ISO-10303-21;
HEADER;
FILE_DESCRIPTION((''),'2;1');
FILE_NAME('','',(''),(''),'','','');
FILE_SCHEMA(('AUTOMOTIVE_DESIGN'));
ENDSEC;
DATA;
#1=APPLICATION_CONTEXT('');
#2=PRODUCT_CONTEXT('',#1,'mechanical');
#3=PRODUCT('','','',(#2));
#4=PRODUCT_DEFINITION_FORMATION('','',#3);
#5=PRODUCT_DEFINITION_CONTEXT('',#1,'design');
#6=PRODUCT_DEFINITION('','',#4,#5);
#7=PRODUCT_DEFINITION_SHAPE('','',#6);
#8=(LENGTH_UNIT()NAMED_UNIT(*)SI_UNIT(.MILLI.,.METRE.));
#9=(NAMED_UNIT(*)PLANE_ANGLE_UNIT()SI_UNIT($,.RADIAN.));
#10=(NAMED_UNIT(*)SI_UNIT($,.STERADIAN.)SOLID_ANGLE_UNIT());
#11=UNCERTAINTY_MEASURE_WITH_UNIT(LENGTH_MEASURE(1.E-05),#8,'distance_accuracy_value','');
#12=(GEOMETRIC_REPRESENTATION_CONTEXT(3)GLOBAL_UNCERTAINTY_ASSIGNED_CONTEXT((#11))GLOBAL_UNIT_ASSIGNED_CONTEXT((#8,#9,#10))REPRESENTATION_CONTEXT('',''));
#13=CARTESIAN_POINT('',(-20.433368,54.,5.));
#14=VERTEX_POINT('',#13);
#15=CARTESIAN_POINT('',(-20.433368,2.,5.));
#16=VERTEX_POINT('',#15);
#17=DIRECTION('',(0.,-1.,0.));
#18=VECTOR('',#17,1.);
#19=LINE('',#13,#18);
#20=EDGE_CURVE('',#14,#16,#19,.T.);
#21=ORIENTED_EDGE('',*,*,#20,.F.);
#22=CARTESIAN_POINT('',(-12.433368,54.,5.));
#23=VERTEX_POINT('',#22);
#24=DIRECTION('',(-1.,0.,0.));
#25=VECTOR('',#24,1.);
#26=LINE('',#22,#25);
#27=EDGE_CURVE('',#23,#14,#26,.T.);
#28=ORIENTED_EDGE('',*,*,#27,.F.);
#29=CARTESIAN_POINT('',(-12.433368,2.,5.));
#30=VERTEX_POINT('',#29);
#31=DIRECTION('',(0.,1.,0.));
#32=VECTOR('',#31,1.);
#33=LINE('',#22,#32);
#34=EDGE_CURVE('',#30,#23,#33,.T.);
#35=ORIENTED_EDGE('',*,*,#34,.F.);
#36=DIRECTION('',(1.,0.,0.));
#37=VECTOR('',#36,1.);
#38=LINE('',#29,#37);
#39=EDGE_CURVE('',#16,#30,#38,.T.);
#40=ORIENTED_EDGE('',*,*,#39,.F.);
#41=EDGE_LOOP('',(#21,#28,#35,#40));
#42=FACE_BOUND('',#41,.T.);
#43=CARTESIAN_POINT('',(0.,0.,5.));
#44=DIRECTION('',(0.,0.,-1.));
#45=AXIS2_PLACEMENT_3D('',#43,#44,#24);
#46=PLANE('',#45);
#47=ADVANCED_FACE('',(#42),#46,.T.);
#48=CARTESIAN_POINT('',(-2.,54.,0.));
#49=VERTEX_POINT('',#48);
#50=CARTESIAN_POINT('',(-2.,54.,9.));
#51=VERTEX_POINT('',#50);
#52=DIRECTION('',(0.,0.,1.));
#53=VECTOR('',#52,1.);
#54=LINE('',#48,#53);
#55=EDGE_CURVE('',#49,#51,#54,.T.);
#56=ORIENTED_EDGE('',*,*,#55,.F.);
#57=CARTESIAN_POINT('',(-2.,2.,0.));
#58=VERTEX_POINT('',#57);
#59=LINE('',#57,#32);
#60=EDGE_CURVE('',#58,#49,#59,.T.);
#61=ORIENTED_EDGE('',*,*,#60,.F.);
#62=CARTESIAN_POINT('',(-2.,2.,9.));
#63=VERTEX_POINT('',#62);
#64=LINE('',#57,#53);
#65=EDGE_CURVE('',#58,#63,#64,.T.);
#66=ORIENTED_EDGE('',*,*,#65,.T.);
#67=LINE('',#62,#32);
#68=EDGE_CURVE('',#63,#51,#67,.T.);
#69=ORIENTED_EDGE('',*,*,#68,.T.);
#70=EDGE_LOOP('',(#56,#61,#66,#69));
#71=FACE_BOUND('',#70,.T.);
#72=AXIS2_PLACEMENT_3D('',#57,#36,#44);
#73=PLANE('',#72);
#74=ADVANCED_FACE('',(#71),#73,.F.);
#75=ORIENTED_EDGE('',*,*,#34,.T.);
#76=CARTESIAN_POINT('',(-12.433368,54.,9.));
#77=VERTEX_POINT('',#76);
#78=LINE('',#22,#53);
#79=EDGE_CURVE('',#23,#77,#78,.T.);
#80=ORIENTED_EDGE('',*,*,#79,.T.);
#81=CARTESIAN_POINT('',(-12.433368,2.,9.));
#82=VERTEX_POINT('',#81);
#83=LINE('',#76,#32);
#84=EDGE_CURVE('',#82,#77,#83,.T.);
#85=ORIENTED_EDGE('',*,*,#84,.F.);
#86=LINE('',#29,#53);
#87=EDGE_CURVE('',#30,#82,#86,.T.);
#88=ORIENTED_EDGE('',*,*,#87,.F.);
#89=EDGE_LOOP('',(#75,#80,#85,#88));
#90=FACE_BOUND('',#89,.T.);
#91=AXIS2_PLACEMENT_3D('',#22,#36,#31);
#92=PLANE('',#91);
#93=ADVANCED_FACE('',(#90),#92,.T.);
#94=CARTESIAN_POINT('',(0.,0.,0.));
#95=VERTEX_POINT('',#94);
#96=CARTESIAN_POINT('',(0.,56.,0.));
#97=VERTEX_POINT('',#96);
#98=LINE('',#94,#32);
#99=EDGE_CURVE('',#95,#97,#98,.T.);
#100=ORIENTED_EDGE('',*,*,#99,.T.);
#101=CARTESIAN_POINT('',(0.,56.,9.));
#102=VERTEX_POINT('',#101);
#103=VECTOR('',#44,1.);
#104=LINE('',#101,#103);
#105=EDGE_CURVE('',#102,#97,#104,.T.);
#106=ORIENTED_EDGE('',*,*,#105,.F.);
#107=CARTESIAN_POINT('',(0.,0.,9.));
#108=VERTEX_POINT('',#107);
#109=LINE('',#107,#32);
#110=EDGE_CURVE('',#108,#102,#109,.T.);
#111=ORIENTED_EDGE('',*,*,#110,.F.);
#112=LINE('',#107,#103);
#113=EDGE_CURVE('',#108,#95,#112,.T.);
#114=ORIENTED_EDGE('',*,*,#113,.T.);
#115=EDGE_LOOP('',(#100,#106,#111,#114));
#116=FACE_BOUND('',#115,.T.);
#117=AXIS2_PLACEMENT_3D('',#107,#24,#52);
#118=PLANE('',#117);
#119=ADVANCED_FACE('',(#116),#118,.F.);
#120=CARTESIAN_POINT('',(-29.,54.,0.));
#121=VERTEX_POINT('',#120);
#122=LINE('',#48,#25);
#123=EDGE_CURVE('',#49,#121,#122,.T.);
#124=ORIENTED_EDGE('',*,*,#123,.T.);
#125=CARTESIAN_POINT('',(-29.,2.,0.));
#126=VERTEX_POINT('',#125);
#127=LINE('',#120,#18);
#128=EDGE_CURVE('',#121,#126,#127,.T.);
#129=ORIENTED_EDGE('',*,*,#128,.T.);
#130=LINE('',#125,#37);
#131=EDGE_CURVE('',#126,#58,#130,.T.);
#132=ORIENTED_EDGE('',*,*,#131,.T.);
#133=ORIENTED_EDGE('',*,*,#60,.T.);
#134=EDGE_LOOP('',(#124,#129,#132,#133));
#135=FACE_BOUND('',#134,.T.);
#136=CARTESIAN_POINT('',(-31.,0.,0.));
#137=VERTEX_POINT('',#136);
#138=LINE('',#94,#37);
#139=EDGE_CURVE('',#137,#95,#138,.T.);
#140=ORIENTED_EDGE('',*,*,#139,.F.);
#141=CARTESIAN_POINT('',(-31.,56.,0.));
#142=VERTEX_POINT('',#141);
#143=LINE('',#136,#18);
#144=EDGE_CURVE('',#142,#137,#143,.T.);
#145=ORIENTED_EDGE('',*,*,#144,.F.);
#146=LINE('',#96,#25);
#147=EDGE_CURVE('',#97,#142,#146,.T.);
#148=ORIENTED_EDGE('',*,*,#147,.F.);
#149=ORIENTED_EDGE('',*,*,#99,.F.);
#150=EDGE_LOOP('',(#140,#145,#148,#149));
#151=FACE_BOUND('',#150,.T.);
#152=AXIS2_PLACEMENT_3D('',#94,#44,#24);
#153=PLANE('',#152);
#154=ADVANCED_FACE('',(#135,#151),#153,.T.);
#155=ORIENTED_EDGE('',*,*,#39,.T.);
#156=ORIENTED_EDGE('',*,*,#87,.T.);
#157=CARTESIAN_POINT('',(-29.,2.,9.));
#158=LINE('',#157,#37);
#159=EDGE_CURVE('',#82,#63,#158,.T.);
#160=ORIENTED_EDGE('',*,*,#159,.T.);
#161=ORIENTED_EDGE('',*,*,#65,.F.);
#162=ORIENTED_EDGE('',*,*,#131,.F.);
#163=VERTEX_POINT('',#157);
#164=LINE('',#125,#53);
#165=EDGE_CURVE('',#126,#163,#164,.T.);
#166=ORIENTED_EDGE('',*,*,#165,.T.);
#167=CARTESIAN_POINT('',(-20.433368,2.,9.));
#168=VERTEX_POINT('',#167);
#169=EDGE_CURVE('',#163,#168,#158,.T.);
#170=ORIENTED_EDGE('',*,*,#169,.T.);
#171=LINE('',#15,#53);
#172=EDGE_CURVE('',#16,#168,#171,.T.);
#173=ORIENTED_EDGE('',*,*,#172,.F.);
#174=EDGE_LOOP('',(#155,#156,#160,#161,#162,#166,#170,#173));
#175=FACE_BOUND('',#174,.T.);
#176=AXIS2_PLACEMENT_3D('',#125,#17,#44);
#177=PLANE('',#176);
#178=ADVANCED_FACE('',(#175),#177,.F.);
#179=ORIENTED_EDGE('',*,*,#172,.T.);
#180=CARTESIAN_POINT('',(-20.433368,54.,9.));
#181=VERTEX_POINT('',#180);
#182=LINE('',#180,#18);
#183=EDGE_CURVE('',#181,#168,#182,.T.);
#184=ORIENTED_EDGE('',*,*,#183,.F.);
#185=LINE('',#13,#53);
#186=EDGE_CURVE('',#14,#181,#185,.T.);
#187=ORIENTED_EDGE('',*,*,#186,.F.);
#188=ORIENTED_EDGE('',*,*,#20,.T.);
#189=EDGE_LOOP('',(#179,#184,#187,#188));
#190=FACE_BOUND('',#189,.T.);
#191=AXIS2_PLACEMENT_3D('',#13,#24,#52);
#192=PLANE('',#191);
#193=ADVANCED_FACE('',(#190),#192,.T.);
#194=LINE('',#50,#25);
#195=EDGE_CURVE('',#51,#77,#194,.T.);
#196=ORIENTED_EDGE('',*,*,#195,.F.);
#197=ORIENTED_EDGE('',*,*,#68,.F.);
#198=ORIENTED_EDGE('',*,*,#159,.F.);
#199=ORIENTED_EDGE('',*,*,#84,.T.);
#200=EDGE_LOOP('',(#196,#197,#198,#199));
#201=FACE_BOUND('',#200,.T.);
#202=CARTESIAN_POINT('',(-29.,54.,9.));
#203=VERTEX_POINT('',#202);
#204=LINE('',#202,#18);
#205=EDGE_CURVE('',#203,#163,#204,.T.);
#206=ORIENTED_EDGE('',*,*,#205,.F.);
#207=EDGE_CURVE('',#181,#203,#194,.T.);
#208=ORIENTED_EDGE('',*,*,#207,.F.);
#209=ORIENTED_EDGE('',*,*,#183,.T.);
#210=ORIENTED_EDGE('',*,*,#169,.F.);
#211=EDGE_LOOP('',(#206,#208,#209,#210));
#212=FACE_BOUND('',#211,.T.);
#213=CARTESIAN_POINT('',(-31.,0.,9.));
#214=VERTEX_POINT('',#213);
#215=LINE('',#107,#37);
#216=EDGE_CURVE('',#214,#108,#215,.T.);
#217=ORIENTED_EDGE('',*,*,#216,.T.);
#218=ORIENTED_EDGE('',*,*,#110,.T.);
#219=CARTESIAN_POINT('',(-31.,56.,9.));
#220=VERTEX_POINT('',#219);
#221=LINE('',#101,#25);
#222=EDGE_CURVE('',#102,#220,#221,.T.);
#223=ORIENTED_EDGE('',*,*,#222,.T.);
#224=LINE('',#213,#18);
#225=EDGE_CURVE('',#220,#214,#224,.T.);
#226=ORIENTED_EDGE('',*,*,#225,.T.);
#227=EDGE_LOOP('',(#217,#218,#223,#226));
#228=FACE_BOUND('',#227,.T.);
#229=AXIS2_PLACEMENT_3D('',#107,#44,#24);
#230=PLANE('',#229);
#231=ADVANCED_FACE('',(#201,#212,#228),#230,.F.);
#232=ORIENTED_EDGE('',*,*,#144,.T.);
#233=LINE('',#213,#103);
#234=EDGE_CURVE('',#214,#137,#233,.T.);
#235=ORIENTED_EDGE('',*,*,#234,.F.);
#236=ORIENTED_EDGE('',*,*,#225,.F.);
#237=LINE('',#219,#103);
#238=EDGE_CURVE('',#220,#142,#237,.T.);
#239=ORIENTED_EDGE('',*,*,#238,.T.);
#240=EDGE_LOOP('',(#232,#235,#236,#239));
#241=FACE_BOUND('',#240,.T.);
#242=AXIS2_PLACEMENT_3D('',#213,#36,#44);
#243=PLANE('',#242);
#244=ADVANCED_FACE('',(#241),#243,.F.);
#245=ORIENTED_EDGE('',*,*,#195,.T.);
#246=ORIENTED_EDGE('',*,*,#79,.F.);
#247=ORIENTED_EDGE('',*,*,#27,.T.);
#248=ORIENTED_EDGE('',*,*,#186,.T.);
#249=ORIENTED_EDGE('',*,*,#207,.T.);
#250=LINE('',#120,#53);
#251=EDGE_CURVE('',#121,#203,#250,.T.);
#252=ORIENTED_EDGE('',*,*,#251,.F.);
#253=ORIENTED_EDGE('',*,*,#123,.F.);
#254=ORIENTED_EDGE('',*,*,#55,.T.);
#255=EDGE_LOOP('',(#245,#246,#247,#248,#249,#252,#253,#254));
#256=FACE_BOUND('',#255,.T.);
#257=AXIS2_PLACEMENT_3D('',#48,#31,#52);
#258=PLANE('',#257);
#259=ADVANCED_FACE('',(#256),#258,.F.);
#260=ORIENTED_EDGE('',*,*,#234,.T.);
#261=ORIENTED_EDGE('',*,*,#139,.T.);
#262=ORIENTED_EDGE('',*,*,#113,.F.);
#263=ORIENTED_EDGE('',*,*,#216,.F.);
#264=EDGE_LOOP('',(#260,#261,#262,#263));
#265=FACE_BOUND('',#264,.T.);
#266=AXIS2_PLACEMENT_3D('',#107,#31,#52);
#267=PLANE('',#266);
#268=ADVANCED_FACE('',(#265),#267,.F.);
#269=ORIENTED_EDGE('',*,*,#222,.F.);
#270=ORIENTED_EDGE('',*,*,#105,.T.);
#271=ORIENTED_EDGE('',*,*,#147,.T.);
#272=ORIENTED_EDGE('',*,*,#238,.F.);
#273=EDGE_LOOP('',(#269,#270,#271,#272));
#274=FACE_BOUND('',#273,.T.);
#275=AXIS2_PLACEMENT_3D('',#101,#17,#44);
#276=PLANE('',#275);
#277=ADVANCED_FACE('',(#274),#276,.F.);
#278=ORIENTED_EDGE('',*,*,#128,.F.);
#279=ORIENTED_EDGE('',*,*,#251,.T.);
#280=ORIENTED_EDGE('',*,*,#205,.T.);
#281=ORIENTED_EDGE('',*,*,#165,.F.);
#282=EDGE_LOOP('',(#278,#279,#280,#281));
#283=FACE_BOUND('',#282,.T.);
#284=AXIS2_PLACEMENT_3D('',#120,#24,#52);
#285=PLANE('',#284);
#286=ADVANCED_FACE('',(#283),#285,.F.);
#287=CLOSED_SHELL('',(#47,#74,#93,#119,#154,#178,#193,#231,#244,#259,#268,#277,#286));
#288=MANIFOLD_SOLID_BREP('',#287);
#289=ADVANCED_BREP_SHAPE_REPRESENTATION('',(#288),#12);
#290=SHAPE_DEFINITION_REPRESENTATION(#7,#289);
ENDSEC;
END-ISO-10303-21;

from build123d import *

# Parameters (mm, degrees)
SKETCH1_W           = 56
SKETCH1_H           = 31
BOSS_EXTRUDE1_DEPTH = 9
SKETCH2_W           = 27
SKETCH2_H           = 52
CUT_EXTRUDE1_DEPTH  = 65.637450445
SKETCH3_W           = 8
SKETCH3_H           = 52
BOSS_EXTRUDE2_DEPTH = 4


with BuildPart() as part:
    # Sketch1 → Boss-Extrude1 (new body)
    with BuildSketch(Plane(origin=(0, 0, 0), x_dir=(0, 1, 0), z_dir=(0, 0, 1))):
        with Locations((28, 15.5)):
            Rectangle(SKETCH1_W, SKETCH1_H)
    extrude(amount=BOSS_EXTRUDE1_DEPTH)

    # Sketch2 → Cut-Extrude1 (cut, through all)
    with BuildSketch(Plane.XY.offset(9)):
        with Locations((-15.5, 28)):
            Rectangle(SKETCH2_W, SKETCH2_H)
    extrude(amount=-CUT_EXTRUDE1_DEPTH, mode=Mode.SUBTRACT)

    # Sketch3 → Boss-Extrude2 (add)
    with BuildSketch(Plane.XY.offset(9)):
        with Locations((-16.433368265, 28)):
            Rectangle(SKETCH3_W, SKETCH3_H)
    extrude(amount=-BOSS_EXTRUDE2_DEPTH)


solid = part.part
